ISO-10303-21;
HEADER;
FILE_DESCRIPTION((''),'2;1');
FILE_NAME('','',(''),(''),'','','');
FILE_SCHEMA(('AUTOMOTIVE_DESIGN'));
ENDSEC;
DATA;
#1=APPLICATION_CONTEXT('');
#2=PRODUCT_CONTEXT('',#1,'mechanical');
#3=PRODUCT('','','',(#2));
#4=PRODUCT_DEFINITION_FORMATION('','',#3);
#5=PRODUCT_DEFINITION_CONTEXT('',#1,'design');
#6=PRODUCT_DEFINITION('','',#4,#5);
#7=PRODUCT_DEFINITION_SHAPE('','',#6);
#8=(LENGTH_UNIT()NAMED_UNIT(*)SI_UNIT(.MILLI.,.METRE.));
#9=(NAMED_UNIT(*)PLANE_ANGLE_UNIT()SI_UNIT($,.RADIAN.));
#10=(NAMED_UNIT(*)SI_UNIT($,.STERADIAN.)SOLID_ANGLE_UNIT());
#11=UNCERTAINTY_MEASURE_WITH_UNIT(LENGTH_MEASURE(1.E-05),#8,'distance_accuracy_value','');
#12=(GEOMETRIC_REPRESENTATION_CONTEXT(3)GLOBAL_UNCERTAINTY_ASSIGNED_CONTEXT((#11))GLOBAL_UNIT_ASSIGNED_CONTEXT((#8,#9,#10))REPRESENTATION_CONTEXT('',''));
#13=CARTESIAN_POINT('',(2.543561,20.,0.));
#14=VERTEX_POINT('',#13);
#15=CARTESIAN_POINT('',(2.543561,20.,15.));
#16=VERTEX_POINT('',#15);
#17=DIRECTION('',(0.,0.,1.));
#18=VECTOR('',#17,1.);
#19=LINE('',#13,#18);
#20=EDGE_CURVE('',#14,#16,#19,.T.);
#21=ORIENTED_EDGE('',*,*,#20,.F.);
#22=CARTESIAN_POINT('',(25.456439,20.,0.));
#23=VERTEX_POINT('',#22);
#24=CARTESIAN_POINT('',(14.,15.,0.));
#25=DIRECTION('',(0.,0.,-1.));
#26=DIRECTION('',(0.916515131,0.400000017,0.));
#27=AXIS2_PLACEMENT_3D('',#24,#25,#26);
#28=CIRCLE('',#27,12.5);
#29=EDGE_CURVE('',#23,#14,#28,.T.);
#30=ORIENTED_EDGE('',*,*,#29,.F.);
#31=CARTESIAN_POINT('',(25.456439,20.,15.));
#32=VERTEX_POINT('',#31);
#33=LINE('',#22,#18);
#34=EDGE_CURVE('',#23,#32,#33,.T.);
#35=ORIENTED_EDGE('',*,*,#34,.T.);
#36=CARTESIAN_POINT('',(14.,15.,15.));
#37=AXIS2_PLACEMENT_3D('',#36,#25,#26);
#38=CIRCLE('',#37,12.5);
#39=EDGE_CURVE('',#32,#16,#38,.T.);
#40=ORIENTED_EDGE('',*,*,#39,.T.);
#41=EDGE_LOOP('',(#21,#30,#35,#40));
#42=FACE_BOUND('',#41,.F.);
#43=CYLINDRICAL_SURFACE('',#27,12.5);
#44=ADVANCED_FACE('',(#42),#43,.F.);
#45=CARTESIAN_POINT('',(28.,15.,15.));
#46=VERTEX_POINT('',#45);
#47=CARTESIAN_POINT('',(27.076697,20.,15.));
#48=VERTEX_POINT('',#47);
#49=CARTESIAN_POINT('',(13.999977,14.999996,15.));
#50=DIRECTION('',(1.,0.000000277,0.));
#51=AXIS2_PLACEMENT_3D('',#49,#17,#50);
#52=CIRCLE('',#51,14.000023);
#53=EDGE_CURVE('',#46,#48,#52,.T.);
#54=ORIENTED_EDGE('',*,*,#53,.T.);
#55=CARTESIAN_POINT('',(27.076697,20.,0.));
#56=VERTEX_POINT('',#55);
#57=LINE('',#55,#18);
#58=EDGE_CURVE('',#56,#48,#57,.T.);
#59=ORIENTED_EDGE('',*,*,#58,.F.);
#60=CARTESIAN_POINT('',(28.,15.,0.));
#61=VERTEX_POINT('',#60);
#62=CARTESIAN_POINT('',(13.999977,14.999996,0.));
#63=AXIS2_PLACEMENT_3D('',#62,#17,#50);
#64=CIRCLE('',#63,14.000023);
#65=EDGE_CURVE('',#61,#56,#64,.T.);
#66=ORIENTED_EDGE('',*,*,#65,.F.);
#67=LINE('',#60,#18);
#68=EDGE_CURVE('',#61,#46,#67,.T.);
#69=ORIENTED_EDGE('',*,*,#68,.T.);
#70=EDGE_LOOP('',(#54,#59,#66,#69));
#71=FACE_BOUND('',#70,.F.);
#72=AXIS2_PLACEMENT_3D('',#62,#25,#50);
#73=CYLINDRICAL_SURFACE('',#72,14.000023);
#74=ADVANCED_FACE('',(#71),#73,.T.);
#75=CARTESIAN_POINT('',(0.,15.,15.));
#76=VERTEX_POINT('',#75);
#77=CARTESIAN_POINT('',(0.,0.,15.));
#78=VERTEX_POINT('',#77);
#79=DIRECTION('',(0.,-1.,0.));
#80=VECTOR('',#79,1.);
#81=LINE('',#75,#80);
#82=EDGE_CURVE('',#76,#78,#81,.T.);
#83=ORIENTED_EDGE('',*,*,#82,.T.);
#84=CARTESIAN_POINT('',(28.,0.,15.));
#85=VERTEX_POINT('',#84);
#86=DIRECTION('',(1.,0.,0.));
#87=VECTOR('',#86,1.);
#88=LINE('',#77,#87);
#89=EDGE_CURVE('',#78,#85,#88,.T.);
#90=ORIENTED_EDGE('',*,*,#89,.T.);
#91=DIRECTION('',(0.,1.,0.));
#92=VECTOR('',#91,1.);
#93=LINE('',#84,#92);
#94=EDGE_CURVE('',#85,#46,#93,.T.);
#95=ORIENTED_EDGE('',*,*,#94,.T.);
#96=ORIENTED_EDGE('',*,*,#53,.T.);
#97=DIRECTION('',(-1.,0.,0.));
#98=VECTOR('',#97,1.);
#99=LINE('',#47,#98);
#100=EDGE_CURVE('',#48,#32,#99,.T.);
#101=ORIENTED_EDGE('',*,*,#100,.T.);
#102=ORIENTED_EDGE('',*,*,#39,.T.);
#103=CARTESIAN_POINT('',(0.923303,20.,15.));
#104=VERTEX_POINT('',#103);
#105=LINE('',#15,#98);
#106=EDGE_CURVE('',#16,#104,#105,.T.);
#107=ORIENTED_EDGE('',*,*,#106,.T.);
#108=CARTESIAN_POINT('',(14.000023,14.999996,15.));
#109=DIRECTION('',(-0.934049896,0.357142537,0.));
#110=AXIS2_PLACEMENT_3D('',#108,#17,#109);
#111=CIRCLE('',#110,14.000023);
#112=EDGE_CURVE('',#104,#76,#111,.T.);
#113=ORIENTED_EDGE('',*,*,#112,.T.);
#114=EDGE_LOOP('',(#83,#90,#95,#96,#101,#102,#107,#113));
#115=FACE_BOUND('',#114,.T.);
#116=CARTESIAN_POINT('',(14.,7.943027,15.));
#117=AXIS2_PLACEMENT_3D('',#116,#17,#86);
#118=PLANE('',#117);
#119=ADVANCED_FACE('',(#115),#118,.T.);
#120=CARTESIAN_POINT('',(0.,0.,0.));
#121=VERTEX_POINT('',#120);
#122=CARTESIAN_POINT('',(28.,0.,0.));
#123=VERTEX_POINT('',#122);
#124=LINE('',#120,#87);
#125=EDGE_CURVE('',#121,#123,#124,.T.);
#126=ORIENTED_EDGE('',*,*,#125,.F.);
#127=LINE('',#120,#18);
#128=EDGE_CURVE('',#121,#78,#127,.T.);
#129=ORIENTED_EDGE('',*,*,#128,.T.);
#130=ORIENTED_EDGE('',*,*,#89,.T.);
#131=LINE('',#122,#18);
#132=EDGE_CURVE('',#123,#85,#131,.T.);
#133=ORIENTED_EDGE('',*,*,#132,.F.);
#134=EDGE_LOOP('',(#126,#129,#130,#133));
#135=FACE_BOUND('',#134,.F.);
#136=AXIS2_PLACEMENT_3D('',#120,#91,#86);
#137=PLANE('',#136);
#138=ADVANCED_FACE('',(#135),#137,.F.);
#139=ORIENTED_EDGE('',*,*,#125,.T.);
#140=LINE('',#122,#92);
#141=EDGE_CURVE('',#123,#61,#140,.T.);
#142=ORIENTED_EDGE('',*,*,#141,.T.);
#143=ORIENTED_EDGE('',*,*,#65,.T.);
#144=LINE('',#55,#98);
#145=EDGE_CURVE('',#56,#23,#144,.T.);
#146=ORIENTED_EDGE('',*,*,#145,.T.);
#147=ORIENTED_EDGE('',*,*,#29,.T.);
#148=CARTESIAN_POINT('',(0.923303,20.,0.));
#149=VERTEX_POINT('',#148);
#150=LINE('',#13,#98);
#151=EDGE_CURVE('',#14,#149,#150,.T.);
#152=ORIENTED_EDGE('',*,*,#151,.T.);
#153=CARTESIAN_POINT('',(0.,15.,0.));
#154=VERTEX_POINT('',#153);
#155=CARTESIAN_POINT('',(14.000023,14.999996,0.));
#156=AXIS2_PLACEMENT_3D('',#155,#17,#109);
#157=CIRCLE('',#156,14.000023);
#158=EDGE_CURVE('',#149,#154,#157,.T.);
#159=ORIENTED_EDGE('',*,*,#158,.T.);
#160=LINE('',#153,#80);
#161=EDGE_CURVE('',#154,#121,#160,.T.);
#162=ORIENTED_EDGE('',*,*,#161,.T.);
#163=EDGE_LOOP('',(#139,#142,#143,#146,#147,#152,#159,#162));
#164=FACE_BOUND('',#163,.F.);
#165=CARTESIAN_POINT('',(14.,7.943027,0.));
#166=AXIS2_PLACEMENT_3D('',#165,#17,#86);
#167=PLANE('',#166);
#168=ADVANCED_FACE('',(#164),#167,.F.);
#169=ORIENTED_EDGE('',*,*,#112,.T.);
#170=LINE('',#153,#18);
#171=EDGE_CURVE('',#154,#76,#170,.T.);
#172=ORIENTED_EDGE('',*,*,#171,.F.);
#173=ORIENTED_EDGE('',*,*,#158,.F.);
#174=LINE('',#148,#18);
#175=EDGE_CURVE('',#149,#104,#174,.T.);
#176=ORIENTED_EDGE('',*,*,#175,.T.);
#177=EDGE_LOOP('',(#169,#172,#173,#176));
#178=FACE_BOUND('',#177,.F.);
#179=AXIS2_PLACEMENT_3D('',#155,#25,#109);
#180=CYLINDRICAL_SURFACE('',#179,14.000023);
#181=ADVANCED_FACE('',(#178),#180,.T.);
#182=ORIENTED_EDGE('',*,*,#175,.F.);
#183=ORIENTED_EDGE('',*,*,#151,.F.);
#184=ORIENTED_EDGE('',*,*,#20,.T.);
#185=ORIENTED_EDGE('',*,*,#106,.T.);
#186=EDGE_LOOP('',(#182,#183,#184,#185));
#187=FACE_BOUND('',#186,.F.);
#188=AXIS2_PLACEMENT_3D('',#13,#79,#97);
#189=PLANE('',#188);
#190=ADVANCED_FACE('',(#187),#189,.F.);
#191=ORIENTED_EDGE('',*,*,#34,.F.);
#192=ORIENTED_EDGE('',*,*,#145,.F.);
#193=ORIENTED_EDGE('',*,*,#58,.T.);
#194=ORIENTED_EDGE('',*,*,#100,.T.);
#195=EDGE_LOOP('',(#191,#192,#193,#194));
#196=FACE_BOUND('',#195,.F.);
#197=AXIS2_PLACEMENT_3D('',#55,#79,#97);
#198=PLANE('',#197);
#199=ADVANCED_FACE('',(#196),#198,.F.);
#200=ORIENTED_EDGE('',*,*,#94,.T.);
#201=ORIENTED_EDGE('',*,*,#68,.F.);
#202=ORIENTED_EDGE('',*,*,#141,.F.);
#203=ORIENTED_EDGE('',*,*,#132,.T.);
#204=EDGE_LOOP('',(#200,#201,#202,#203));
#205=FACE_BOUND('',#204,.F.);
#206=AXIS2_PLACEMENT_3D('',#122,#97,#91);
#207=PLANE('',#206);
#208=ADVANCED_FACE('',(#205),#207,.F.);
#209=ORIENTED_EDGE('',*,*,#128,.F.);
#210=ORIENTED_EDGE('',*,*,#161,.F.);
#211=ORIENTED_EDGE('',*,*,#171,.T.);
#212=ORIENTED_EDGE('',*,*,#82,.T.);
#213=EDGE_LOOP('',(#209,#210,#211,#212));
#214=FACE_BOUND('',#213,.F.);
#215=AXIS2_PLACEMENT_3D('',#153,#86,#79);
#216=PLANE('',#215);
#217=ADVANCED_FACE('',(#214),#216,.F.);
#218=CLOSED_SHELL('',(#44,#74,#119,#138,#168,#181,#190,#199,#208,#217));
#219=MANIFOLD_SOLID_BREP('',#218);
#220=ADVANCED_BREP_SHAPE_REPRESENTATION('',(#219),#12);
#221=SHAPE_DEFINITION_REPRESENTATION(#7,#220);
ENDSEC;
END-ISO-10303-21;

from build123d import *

# Parameters (mm, degrees)
F1_DEPTH = 15


with BuildPart() as f1:
    # F0 (on Top) → F1 (new body)
    with BuildSketch(Plane.XY):
        with BuildLine():
            ThreePointArc((25.456439, 20), (14, 2.5), (2.543561, 20))
            Line((2.543561, 20), (0.923303, 20))
            ThreePointArc((0.923303, 20), (0.232761, 17.542267), (0, 15))
            Line((0, 15), (0, 0))
            Line((0, 0), (28, 0))
            Line((28, 0), (28, 15))
            ThreePointArc((28, 15), (27.767239, 17.542267), (27.076697, 20))
            Line((27.076697, 20), (25.456439, 20))
        make_face()
    extrude(amount=F1_DEPTH)


solid = f1.part
